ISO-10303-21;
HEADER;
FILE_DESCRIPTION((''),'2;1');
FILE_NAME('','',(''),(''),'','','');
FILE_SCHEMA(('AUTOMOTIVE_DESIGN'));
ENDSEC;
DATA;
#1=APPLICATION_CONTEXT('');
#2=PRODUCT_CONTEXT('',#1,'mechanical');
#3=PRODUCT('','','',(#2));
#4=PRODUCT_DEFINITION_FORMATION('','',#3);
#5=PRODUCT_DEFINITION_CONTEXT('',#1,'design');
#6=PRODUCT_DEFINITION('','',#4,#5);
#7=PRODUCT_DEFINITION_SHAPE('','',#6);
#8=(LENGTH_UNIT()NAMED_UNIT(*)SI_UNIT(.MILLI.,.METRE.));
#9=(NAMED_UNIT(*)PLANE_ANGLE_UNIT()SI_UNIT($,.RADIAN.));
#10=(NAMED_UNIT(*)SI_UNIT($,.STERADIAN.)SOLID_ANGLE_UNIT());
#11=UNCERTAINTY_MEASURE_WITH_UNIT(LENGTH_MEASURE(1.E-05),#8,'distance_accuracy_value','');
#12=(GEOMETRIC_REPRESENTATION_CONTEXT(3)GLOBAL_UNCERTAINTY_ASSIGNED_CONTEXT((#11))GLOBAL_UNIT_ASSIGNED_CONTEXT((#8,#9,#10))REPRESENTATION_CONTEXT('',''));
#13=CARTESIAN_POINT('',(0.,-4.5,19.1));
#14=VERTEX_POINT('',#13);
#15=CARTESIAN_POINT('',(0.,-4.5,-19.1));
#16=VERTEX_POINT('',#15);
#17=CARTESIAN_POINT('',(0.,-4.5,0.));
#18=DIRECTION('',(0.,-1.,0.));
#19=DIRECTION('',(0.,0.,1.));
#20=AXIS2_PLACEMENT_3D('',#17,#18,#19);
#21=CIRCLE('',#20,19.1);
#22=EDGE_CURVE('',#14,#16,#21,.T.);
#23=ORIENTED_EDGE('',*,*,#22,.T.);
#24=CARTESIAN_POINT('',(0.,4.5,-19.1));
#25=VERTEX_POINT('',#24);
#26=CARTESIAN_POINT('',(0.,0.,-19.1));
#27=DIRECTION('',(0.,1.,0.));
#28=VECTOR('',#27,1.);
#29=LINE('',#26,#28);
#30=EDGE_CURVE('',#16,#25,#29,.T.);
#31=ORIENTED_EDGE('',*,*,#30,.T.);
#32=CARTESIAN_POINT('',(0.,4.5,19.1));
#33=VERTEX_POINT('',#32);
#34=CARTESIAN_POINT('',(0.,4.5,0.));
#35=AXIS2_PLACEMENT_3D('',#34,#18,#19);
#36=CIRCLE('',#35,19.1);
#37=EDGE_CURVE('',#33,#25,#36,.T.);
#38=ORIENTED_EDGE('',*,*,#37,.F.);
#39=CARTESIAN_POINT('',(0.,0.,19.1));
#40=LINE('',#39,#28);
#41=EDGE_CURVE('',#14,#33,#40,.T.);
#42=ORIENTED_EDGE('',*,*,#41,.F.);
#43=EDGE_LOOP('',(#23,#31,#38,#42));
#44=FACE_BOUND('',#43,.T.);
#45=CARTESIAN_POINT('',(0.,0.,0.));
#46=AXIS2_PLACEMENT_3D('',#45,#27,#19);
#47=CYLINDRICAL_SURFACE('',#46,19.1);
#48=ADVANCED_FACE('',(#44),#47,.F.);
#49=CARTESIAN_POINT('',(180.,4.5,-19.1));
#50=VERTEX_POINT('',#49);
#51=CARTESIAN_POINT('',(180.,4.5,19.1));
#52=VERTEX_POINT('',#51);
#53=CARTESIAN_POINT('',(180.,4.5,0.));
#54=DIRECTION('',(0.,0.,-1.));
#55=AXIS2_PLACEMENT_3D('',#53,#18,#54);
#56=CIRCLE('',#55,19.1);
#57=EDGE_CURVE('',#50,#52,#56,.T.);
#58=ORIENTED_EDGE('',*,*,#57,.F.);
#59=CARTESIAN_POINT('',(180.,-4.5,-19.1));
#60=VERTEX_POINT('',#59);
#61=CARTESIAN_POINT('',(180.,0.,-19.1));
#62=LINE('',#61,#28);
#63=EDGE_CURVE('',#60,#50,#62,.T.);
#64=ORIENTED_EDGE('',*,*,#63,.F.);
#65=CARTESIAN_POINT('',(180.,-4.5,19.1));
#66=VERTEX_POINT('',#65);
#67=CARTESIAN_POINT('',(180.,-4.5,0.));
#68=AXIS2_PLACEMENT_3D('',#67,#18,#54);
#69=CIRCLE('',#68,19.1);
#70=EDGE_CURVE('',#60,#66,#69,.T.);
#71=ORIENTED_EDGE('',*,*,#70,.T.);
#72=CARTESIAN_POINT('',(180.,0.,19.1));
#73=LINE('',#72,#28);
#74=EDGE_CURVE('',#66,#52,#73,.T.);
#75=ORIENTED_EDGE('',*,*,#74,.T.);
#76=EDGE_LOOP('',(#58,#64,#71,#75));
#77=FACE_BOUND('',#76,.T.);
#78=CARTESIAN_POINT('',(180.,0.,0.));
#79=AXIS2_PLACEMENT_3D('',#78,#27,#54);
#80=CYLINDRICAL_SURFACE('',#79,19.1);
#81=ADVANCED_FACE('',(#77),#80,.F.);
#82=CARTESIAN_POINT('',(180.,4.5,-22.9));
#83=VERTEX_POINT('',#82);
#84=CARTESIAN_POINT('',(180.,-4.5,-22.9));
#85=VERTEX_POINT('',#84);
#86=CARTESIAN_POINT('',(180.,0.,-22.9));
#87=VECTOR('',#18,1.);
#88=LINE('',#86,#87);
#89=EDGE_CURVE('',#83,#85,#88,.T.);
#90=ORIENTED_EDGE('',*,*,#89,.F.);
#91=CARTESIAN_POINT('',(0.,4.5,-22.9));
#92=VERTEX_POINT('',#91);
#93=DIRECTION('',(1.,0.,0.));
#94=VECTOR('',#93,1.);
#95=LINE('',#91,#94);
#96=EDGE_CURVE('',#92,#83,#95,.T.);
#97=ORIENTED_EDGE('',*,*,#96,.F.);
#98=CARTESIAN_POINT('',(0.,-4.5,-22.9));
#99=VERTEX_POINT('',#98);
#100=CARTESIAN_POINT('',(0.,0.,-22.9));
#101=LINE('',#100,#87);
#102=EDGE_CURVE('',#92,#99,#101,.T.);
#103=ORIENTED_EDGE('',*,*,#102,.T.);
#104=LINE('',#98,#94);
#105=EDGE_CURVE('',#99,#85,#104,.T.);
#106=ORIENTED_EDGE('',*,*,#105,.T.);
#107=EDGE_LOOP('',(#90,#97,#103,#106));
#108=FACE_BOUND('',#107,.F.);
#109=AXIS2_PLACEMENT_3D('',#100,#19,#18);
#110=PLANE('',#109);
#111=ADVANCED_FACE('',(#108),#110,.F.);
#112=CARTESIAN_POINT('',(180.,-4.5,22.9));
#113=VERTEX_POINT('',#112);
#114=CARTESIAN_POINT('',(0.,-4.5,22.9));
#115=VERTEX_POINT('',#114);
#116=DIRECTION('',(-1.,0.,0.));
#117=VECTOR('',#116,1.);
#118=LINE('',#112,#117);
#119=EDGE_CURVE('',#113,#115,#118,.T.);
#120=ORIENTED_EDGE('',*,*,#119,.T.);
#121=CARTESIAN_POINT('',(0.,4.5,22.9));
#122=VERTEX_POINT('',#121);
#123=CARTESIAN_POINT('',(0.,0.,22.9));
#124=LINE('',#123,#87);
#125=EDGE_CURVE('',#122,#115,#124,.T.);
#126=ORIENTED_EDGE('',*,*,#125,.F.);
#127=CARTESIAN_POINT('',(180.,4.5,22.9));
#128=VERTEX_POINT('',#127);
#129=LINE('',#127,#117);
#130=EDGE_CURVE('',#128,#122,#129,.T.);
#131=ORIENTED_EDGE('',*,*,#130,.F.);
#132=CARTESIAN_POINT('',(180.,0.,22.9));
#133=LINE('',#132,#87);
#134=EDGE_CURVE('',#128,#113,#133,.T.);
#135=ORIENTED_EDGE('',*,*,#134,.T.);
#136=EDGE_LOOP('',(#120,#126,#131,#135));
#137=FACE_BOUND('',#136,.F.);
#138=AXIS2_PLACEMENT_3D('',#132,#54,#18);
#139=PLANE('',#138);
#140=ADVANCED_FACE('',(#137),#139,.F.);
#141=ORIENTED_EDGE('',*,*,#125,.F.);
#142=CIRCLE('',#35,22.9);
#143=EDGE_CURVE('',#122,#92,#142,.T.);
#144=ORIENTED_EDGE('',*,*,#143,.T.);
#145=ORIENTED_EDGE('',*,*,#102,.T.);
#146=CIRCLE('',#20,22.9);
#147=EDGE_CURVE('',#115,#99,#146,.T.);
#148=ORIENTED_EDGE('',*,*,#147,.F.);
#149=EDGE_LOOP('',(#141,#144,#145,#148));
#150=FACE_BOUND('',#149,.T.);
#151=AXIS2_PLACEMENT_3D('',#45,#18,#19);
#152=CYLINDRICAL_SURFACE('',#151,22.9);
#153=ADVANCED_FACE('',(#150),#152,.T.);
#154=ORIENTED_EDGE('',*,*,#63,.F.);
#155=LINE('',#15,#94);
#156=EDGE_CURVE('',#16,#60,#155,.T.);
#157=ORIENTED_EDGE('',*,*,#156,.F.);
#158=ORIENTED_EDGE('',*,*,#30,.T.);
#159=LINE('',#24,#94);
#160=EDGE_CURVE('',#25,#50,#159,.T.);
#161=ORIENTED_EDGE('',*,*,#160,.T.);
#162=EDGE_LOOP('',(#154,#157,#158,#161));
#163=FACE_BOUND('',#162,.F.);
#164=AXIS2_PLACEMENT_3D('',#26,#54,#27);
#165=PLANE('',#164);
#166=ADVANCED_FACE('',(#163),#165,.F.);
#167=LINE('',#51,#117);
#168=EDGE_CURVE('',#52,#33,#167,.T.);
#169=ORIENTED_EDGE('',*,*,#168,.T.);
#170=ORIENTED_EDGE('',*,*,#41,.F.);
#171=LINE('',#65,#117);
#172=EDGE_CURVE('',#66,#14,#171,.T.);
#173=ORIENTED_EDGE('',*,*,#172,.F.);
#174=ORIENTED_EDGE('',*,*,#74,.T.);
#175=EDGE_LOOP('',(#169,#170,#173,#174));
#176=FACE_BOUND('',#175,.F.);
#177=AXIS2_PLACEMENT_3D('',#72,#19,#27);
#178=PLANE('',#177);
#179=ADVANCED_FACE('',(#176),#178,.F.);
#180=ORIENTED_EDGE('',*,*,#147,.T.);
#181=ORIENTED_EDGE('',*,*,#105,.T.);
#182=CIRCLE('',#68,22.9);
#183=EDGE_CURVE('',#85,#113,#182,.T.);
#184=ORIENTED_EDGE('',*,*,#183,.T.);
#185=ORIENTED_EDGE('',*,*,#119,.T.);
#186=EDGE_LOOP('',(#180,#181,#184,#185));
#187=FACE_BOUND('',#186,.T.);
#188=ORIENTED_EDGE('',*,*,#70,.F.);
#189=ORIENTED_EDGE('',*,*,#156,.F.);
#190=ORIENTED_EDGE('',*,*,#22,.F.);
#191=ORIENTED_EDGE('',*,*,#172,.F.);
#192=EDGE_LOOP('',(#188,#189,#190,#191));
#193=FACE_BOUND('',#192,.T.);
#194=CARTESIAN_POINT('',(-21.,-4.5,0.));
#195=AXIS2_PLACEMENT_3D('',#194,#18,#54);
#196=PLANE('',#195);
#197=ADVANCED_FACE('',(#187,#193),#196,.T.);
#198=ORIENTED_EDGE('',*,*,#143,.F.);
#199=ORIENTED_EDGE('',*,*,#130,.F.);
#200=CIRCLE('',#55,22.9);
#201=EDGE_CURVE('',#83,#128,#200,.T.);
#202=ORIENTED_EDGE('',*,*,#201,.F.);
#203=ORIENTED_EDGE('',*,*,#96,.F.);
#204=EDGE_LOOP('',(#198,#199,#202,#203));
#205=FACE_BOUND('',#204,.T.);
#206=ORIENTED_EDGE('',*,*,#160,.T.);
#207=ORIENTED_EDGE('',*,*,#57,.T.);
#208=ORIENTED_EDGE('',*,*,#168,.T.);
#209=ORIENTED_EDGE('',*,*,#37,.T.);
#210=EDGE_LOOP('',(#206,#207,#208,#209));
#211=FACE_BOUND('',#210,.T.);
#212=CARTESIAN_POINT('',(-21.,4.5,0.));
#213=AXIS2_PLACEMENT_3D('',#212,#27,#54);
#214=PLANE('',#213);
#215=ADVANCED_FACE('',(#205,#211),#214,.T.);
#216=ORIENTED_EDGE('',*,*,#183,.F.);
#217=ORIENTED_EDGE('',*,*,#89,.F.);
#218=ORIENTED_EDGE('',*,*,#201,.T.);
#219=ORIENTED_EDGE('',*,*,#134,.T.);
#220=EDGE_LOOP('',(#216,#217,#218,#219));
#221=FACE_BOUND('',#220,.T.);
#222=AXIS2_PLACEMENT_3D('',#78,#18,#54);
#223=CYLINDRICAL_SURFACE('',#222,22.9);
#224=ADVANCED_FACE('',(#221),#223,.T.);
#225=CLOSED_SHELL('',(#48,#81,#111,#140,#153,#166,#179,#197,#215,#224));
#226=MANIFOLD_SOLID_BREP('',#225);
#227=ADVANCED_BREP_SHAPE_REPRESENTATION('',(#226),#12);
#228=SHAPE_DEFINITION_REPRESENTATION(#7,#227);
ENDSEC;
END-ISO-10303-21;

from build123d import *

# Parameters (mm, degrees)
F1_W = 9
F1_H = 3.8


with BuildPart() as f2:
    # F2: sweep along a path in F0
    with BuildLine(Plane.XZ) as f2_path:
        ThreePointArc((0, 21), (-21, 0), (0, -21))
        Line((0, -21), (180, -21))
        ThreePointArc((180, -21), (201, 0), (180, 21))
        Line((180, 21), (0, 21))
    # F1 (on Right) → F2 (sweep)
    with BuildSketch(Plane.YZ):
        with Locations((0, 21)):
            Rectangle(F1_W, F1_H)
    sweep(path=f2_path.line)


solid = f2.part
